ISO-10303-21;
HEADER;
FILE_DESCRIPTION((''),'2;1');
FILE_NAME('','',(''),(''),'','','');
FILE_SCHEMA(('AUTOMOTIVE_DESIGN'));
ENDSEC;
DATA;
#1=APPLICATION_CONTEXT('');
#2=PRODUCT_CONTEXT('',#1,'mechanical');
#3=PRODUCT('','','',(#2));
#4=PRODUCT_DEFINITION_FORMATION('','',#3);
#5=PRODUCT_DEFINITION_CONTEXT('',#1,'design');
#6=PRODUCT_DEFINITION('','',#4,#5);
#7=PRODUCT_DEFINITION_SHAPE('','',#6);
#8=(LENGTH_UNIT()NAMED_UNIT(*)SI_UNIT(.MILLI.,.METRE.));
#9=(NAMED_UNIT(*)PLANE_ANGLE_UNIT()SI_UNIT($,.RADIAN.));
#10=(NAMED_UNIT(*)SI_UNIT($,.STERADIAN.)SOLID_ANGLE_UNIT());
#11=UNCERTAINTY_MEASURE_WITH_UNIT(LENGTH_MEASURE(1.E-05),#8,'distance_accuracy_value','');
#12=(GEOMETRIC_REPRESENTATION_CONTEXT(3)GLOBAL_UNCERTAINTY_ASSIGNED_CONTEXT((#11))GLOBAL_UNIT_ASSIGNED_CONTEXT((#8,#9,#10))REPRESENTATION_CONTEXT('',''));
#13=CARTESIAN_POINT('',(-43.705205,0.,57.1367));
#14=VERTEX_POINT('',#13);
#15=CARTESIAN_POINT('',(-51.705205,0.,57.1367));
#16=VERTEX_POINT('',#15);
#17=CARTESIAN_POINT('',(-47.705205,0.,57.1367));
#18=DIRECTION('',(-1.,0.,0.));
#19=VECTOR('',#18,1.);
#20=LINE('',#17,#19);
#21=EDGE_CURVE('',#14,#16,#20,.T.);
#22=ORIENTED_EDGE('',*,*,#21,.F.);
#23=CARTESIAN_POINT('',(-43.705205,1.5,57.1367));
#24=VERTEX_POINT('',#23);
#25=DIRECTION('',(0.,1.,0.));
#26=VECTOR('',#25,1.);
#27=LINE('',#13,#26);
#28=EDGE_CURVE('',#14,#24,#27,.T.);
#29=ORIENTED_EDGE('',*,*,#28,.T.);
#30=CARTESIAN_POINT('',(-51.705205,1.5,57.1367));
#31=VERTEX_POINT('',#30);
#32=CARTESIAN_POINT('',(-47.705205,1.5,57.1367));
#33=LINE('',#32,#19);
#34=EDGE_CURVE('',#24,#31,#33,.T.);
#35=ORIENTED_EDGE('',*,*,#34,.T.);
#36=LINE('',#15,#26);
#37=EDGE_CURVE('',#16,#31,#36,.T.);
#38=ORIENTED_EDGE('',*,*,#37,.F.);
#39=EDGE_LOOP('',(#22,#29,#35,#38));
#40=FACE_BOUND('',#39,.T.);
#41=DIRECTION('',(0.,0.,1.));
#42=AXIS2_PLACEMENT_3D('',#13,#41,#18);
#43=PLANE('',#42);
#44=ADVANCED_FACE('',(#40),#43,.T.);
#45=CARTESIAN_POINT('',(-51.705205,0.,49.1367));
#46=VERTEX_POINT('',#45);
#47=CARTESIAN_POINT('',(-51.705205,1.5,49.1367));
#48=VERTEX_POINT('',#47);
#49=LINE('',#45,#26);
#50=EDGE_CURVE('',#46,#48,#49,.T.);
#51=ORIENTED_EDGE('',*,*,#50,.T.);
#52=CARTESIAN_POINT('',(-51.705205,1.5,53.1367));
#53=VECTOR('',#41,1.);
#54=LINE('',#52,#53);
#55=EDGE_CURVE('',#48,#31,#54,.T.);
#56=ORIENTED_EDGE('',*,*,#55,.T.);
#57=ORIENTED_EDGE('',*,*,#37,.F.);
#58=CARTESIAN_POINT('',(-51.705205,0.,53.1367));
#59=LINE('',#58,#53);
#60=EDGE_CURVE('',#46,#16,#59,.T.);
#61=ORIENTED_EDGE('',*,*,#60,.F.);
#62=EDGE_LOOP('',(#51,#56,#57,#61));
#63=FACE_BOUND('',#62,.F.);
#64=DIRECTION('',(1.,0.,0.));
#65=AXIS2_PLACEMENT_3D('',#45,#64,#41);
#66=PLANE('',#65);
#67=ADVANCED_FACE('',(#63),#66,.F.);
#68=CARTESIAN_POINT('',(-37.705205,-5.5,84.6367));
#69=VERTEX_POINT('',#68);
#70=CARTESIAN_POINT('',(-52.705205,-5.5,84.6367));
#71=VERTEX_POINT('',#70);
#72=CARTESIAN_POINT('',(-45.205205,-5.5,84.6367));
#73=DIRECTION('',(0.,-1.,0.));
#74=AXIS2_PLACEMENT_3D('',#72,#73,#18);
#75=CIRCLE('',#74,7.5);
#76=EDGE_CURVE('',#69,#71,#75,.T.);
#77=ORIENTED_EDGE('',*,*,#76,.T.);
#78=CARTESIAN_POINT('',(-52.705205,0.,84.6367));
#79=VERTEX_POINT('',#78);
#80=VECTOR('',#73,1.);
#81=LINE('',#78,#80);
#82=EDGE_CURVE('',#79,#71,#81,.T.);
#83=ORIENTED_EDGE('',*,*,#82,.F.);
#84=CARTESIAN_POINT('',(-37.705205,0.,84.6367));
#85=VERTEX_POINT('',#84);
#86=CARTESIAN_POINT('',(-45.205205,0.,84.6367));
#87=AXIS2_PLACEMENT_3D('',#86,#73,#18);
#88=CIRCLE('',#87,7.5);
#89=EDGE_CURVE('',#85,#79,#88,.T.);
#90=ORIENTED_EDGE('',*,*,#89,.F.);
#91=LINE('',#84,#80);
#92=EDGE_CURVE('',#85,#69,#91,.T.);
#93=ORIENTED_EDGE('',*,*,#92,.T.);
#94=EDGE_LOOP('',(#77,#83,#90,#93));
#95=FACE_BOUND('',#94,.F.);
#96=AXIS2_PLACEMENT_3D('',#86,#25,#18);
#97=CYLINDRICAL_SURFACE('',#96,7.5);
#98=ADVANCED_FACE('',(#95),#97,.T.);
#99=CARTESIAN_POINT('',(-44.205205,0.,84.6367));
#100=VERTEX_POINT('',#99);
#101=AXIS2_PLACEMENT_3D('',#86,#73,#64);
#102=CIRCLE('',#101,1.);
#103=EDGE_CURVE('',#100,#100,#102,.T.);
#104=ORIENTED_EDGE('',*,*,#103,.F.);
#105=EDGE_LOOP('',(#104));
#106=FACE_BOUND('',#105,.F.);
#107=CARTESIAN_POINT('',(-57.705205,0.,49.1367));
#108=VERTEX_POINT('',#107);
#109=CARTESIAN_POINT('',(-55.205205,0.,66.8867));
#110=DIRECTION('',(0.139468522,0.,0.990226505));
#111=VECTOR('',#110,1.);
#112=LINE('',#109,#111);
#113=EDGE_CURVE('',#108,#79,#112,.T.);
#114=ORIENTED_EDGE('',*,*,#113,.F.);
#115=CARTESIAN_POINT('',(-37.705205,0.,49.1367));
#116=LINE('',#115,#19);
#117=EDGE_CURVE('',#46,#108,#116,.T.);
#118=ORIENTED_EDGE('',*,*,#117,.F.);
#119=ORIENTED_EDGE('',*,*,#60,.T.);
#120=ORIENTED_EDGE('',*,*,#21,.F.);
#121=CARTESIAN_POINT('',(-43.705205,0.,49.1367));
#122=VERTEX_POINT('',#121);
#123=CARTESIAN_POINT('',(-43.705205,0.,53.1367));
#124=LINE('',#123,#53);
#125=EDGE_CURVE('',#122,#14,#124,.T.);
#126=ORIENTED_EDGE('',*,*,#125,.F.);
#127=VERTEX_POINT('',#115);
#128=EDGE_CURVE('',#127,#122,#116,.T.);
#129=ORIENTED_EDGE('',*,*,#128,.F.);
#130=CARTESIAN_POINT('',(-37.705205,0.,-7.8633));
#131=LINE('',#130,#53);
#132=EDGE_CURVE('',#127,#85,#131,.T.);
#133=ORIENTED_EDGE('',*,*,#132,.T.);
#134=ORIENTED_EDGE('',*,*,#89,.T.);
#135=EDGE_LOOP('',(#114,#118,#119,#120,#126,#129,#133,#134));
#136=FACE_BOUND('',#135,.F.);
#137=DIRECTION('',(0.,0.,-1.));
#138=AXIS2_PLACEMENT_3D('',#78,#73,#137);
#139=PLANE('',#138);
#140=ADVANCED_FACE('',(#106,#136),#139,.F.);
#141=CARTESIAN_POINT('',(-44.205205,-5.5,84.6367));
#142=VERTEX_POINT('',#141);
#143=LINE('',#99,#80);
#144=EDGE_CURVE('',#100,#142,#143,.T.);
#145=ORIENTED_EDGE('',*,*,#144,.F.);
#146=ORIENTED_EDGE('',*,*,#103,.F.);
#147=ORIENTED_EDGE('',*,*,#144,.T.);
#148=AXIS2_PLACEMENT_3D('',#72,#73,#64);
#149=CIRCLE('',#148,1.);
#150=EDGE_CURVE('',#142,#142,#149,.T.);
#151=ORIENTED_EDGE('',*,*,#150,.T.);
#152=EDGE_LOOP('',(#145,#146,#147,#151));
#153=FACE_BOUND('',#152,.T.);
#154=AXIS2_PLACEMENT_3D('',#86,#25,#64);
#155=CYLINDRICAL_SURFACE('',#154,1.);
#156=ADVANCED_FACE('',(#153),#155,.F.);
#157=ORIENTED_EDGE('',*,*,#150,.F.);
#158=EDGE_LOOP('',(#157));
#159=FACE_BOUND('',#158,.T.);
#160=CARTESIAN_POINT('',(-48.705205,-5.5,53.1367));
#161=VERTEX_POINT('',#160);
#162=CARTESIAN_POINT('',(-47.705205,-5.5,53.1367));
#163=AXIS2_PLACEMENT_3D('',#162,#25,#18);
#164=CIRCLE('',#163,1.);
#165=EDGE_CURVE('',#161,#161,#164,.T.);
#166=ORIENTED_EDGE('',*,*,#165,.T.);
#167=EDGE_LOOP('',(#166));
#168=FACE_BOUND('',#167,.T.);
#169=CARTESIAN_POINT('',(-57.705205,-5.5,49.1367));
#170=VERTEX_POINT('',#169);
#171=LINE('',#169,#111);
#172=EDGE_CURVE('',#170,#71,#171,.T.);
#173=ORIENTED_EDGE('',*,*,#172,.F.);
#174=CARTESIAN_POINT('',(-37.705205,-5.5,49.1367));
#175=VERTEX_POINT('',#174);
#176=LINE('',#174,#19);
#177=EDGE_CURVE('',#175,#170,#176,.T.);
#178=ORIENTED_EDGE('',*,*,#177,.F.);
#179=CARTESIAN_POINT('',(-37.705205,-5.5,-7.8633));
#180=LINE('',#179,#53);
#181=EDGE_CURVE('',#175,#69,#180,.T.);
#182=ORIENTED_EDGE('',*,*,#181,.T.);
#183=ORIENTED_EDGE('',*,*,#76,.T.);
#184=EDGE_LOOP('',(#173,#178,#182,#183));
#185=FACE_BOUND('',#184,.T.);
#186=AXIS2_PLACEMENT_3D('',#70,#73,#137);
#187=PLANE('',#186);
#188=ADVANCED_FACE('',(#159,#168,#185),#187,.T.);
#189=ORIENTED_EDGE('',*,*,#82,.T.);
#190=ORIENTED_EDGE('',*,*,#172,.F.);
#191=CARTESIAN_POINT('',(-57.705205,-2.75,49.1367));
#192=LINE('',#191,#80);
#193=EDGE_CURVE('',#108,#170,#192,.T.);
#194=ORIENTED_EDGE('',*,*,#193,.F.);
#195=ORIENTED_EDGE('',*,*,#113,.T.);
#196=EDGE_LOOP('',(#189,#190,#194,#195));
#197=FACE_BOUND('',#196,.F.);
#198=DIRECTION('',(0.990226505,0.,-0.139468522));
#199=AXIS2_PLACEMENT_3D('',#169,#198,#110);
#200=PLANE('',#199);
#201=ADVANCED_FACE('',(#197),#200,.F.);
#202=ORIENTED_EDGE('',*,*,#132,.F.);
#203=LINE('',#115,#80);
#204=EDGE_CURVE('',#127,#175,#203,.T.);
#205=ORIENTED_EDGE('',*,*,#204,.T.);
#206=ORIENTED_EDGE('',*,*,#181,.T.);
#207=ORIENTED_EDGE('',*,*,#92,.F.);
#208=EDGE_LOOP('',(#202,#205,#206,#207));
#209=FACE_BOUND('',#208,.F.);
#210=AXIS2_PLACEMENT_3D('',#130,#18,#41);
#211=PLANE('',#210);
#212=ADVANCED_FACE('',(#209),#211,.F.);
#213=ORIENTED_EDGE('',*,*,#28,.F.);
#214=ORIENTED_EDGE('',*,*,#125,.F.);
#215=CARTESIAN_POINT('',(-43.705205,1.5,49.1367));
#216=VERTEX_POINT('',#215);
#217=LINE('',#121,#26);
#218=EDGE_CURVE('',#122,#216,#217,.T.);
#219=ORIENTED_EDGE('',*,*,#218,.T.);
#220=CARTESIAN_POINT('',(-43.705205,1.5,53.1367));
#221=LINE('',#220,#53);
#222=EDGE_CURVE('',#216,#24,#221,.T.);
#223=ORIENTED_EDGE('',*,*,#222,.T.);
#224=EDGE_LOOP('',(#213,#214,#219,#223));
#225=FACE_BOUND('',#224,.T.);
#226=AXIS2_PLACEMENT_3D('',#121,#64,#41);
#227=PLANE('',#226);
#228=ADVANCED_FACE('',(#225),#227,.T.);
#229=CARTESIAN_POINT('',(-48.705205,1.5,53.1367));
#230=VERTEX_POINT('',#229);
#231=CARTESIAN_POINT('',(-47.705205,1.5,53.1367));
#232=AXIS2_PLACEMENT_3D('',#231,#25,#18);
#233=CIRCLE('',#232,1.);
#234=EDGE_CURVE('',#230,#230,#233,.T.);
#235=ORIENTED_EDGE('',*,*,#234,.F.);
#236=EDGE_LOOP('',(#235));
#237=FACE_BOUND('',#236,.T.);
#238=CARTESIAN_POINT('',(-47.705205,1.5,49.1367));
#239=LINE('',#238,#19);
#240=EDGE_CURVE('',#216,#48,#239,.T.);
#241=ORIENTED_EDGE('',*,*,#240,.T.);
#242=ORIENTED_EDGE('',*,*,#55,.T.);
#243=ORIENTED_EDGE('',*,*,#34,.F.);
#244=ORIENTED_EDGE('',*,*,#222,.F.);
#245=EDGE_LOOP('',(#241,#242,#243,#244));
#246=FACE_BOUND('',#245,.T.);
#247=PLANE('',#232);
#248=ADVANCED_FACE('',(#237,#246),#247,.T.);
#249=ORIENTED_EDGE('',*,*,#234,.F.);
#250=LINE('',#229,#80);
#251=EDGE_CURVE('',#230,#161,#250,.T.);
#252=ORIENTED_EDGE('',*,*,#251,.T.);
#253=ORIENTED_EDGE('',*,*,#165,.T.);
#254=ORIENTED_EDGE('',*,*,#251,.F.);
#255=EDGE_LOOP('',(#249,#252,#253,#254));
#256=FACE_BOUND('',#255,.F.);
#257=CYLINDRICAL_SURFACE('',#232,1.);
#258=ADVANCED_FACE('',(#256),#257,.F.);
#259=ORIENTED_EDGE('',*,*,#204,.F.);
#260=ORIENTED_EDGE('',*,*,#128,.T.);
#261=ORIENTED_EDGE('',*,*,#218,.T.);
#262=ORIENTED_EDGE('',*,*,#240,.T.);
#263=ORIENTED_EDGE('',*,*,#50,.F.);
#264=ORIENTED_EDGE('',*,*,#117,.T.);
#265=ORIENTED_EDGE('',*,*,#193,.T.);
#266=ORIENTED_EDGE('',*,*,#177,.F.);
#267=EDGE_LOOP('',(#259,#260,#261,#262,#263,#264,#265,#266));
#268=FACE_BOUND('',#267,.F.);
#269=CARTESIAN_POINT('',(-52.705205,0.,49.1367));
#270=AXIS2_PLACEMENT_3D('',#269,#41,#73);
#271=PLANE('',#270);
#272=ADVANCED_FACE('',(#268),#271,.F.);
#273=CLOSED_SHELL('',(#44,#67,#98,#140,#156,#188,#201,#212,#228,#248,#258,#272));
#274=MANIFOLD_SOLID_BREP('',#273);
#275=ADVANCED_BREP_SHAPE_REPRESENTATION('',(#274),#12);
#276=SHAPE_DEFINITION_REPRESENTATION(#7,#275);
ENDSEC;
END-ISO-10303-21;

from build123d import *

# Parameters (mm, degrees)
F0_R      = 1
F1_DEPTH  = 5.5
F2_W      = 5.5
F2_H      = 57
F3_DEPTH  = 25
F4_DEPTH  = 5
F6_DEPTH  = 25
F7_W      = 8
F7_H      = 8
F8_DEPTH  = 1.5
F9_R      = 1
F10_DEPTH = 25


with BuildPart() as f1:
    # F0 (on Front) → F1 (new body)
    with BuildSketch(Plane.XZ):
        with BuildLine():
            ThreePointArc((-37.7052051574, 84.6366998268), (-39.9019042985, 89.9400006857), (-45.2052051574, 92.1366998268))
            ThreePointArc((-45.2052051574, 92.1366998268), (-50.5085060163, 89.9400006857), (-52.7052051574, 84.6366998268))
            ThreePointArc((-52.7052051574, 84.6366998268), (-45.2052051574, 77.1366998268), (-37.7052051574, 84.6366998268))
        make_face()
        with Locations((-45.2052051574, 84.6366998268)):
            Circle(F0_R, mode=Mode.SUBTRACT)
        with BuildLine():
            ThreePointArc((-37.7052051574, 84.6366998268), (-45.2052051574, 77.1366998268), (-52.7052051574, 84.6366998268))
            Line((-52.7052051574, 84.6366998268), (-52.7052051574, -7.8633001732))
            Line((-52.7052051574, -7.8633001732), (-37.7052051574, -7.8633001732))
            Line((-37.7052051574, -7.8633001732), (-37.7052051574, 84.6366998268))
        make_face()
    extrude(amount=F1_DEPTH)

    # F2 (on face) → F3 (cut)
    with BuildSketch(Plane(origin=(-52.7052051574, 0, 0), x_dir=(0, -1, 0), z_dir=(-1, 0, 0))):
        with Locations((2.75, 20.6366998268)):
            Rectangle(F2_W, F2_H)
    extrude(amount=-F3_DEPTH, mode=Mode.SUBTRACT)

    # F4 (add): a face of the model
    f4_faces = [f1.faces().sort_by_distance(p)[0] for p in [
        (-52.7052051574, -2.75, 66.8866998268),
    ]]
    extrude(f4_faces, amount=F4_DEPTH)

    # F5 (on face) → F6 (cut)
    with BuildSketch(Plane.XZ.offset(5.5)):
        Polygon((-57.7052051574, 49.1366998268), (-52.7052051574, 84.6366998268), (-57.7052051574, 84.6366998268), align=None)
    extrude(amount=-F6_DEPTH, mode=Mode.SUBTRACT)

    # F7 (on face) → F8 (join)
    with BuildSketch(Plane(origin=(0, 0, 0), x_dir=(-1, 0, 0), z_dir=(0, 1, 0))):
        with Locations((47.7052051574, 53.1366998268)):
            Rectangle(F7_W, F7_H)
    extrude(amount=F8_DEPTH)

    # F9 (on face) → F10 (cut)
    with BuildSketch(Plane(origin=(0, 1.5, 0), x_dir=(-1, 0, 0), z_dir=(0, 1, 0))):
        with Locations((47.7052051574, 53.1366998268)):
            Circle(F9_R)
    extrude(amount=-F10_DEPTH, mode=Mode.SUBTRACT)


solid = f1.part
